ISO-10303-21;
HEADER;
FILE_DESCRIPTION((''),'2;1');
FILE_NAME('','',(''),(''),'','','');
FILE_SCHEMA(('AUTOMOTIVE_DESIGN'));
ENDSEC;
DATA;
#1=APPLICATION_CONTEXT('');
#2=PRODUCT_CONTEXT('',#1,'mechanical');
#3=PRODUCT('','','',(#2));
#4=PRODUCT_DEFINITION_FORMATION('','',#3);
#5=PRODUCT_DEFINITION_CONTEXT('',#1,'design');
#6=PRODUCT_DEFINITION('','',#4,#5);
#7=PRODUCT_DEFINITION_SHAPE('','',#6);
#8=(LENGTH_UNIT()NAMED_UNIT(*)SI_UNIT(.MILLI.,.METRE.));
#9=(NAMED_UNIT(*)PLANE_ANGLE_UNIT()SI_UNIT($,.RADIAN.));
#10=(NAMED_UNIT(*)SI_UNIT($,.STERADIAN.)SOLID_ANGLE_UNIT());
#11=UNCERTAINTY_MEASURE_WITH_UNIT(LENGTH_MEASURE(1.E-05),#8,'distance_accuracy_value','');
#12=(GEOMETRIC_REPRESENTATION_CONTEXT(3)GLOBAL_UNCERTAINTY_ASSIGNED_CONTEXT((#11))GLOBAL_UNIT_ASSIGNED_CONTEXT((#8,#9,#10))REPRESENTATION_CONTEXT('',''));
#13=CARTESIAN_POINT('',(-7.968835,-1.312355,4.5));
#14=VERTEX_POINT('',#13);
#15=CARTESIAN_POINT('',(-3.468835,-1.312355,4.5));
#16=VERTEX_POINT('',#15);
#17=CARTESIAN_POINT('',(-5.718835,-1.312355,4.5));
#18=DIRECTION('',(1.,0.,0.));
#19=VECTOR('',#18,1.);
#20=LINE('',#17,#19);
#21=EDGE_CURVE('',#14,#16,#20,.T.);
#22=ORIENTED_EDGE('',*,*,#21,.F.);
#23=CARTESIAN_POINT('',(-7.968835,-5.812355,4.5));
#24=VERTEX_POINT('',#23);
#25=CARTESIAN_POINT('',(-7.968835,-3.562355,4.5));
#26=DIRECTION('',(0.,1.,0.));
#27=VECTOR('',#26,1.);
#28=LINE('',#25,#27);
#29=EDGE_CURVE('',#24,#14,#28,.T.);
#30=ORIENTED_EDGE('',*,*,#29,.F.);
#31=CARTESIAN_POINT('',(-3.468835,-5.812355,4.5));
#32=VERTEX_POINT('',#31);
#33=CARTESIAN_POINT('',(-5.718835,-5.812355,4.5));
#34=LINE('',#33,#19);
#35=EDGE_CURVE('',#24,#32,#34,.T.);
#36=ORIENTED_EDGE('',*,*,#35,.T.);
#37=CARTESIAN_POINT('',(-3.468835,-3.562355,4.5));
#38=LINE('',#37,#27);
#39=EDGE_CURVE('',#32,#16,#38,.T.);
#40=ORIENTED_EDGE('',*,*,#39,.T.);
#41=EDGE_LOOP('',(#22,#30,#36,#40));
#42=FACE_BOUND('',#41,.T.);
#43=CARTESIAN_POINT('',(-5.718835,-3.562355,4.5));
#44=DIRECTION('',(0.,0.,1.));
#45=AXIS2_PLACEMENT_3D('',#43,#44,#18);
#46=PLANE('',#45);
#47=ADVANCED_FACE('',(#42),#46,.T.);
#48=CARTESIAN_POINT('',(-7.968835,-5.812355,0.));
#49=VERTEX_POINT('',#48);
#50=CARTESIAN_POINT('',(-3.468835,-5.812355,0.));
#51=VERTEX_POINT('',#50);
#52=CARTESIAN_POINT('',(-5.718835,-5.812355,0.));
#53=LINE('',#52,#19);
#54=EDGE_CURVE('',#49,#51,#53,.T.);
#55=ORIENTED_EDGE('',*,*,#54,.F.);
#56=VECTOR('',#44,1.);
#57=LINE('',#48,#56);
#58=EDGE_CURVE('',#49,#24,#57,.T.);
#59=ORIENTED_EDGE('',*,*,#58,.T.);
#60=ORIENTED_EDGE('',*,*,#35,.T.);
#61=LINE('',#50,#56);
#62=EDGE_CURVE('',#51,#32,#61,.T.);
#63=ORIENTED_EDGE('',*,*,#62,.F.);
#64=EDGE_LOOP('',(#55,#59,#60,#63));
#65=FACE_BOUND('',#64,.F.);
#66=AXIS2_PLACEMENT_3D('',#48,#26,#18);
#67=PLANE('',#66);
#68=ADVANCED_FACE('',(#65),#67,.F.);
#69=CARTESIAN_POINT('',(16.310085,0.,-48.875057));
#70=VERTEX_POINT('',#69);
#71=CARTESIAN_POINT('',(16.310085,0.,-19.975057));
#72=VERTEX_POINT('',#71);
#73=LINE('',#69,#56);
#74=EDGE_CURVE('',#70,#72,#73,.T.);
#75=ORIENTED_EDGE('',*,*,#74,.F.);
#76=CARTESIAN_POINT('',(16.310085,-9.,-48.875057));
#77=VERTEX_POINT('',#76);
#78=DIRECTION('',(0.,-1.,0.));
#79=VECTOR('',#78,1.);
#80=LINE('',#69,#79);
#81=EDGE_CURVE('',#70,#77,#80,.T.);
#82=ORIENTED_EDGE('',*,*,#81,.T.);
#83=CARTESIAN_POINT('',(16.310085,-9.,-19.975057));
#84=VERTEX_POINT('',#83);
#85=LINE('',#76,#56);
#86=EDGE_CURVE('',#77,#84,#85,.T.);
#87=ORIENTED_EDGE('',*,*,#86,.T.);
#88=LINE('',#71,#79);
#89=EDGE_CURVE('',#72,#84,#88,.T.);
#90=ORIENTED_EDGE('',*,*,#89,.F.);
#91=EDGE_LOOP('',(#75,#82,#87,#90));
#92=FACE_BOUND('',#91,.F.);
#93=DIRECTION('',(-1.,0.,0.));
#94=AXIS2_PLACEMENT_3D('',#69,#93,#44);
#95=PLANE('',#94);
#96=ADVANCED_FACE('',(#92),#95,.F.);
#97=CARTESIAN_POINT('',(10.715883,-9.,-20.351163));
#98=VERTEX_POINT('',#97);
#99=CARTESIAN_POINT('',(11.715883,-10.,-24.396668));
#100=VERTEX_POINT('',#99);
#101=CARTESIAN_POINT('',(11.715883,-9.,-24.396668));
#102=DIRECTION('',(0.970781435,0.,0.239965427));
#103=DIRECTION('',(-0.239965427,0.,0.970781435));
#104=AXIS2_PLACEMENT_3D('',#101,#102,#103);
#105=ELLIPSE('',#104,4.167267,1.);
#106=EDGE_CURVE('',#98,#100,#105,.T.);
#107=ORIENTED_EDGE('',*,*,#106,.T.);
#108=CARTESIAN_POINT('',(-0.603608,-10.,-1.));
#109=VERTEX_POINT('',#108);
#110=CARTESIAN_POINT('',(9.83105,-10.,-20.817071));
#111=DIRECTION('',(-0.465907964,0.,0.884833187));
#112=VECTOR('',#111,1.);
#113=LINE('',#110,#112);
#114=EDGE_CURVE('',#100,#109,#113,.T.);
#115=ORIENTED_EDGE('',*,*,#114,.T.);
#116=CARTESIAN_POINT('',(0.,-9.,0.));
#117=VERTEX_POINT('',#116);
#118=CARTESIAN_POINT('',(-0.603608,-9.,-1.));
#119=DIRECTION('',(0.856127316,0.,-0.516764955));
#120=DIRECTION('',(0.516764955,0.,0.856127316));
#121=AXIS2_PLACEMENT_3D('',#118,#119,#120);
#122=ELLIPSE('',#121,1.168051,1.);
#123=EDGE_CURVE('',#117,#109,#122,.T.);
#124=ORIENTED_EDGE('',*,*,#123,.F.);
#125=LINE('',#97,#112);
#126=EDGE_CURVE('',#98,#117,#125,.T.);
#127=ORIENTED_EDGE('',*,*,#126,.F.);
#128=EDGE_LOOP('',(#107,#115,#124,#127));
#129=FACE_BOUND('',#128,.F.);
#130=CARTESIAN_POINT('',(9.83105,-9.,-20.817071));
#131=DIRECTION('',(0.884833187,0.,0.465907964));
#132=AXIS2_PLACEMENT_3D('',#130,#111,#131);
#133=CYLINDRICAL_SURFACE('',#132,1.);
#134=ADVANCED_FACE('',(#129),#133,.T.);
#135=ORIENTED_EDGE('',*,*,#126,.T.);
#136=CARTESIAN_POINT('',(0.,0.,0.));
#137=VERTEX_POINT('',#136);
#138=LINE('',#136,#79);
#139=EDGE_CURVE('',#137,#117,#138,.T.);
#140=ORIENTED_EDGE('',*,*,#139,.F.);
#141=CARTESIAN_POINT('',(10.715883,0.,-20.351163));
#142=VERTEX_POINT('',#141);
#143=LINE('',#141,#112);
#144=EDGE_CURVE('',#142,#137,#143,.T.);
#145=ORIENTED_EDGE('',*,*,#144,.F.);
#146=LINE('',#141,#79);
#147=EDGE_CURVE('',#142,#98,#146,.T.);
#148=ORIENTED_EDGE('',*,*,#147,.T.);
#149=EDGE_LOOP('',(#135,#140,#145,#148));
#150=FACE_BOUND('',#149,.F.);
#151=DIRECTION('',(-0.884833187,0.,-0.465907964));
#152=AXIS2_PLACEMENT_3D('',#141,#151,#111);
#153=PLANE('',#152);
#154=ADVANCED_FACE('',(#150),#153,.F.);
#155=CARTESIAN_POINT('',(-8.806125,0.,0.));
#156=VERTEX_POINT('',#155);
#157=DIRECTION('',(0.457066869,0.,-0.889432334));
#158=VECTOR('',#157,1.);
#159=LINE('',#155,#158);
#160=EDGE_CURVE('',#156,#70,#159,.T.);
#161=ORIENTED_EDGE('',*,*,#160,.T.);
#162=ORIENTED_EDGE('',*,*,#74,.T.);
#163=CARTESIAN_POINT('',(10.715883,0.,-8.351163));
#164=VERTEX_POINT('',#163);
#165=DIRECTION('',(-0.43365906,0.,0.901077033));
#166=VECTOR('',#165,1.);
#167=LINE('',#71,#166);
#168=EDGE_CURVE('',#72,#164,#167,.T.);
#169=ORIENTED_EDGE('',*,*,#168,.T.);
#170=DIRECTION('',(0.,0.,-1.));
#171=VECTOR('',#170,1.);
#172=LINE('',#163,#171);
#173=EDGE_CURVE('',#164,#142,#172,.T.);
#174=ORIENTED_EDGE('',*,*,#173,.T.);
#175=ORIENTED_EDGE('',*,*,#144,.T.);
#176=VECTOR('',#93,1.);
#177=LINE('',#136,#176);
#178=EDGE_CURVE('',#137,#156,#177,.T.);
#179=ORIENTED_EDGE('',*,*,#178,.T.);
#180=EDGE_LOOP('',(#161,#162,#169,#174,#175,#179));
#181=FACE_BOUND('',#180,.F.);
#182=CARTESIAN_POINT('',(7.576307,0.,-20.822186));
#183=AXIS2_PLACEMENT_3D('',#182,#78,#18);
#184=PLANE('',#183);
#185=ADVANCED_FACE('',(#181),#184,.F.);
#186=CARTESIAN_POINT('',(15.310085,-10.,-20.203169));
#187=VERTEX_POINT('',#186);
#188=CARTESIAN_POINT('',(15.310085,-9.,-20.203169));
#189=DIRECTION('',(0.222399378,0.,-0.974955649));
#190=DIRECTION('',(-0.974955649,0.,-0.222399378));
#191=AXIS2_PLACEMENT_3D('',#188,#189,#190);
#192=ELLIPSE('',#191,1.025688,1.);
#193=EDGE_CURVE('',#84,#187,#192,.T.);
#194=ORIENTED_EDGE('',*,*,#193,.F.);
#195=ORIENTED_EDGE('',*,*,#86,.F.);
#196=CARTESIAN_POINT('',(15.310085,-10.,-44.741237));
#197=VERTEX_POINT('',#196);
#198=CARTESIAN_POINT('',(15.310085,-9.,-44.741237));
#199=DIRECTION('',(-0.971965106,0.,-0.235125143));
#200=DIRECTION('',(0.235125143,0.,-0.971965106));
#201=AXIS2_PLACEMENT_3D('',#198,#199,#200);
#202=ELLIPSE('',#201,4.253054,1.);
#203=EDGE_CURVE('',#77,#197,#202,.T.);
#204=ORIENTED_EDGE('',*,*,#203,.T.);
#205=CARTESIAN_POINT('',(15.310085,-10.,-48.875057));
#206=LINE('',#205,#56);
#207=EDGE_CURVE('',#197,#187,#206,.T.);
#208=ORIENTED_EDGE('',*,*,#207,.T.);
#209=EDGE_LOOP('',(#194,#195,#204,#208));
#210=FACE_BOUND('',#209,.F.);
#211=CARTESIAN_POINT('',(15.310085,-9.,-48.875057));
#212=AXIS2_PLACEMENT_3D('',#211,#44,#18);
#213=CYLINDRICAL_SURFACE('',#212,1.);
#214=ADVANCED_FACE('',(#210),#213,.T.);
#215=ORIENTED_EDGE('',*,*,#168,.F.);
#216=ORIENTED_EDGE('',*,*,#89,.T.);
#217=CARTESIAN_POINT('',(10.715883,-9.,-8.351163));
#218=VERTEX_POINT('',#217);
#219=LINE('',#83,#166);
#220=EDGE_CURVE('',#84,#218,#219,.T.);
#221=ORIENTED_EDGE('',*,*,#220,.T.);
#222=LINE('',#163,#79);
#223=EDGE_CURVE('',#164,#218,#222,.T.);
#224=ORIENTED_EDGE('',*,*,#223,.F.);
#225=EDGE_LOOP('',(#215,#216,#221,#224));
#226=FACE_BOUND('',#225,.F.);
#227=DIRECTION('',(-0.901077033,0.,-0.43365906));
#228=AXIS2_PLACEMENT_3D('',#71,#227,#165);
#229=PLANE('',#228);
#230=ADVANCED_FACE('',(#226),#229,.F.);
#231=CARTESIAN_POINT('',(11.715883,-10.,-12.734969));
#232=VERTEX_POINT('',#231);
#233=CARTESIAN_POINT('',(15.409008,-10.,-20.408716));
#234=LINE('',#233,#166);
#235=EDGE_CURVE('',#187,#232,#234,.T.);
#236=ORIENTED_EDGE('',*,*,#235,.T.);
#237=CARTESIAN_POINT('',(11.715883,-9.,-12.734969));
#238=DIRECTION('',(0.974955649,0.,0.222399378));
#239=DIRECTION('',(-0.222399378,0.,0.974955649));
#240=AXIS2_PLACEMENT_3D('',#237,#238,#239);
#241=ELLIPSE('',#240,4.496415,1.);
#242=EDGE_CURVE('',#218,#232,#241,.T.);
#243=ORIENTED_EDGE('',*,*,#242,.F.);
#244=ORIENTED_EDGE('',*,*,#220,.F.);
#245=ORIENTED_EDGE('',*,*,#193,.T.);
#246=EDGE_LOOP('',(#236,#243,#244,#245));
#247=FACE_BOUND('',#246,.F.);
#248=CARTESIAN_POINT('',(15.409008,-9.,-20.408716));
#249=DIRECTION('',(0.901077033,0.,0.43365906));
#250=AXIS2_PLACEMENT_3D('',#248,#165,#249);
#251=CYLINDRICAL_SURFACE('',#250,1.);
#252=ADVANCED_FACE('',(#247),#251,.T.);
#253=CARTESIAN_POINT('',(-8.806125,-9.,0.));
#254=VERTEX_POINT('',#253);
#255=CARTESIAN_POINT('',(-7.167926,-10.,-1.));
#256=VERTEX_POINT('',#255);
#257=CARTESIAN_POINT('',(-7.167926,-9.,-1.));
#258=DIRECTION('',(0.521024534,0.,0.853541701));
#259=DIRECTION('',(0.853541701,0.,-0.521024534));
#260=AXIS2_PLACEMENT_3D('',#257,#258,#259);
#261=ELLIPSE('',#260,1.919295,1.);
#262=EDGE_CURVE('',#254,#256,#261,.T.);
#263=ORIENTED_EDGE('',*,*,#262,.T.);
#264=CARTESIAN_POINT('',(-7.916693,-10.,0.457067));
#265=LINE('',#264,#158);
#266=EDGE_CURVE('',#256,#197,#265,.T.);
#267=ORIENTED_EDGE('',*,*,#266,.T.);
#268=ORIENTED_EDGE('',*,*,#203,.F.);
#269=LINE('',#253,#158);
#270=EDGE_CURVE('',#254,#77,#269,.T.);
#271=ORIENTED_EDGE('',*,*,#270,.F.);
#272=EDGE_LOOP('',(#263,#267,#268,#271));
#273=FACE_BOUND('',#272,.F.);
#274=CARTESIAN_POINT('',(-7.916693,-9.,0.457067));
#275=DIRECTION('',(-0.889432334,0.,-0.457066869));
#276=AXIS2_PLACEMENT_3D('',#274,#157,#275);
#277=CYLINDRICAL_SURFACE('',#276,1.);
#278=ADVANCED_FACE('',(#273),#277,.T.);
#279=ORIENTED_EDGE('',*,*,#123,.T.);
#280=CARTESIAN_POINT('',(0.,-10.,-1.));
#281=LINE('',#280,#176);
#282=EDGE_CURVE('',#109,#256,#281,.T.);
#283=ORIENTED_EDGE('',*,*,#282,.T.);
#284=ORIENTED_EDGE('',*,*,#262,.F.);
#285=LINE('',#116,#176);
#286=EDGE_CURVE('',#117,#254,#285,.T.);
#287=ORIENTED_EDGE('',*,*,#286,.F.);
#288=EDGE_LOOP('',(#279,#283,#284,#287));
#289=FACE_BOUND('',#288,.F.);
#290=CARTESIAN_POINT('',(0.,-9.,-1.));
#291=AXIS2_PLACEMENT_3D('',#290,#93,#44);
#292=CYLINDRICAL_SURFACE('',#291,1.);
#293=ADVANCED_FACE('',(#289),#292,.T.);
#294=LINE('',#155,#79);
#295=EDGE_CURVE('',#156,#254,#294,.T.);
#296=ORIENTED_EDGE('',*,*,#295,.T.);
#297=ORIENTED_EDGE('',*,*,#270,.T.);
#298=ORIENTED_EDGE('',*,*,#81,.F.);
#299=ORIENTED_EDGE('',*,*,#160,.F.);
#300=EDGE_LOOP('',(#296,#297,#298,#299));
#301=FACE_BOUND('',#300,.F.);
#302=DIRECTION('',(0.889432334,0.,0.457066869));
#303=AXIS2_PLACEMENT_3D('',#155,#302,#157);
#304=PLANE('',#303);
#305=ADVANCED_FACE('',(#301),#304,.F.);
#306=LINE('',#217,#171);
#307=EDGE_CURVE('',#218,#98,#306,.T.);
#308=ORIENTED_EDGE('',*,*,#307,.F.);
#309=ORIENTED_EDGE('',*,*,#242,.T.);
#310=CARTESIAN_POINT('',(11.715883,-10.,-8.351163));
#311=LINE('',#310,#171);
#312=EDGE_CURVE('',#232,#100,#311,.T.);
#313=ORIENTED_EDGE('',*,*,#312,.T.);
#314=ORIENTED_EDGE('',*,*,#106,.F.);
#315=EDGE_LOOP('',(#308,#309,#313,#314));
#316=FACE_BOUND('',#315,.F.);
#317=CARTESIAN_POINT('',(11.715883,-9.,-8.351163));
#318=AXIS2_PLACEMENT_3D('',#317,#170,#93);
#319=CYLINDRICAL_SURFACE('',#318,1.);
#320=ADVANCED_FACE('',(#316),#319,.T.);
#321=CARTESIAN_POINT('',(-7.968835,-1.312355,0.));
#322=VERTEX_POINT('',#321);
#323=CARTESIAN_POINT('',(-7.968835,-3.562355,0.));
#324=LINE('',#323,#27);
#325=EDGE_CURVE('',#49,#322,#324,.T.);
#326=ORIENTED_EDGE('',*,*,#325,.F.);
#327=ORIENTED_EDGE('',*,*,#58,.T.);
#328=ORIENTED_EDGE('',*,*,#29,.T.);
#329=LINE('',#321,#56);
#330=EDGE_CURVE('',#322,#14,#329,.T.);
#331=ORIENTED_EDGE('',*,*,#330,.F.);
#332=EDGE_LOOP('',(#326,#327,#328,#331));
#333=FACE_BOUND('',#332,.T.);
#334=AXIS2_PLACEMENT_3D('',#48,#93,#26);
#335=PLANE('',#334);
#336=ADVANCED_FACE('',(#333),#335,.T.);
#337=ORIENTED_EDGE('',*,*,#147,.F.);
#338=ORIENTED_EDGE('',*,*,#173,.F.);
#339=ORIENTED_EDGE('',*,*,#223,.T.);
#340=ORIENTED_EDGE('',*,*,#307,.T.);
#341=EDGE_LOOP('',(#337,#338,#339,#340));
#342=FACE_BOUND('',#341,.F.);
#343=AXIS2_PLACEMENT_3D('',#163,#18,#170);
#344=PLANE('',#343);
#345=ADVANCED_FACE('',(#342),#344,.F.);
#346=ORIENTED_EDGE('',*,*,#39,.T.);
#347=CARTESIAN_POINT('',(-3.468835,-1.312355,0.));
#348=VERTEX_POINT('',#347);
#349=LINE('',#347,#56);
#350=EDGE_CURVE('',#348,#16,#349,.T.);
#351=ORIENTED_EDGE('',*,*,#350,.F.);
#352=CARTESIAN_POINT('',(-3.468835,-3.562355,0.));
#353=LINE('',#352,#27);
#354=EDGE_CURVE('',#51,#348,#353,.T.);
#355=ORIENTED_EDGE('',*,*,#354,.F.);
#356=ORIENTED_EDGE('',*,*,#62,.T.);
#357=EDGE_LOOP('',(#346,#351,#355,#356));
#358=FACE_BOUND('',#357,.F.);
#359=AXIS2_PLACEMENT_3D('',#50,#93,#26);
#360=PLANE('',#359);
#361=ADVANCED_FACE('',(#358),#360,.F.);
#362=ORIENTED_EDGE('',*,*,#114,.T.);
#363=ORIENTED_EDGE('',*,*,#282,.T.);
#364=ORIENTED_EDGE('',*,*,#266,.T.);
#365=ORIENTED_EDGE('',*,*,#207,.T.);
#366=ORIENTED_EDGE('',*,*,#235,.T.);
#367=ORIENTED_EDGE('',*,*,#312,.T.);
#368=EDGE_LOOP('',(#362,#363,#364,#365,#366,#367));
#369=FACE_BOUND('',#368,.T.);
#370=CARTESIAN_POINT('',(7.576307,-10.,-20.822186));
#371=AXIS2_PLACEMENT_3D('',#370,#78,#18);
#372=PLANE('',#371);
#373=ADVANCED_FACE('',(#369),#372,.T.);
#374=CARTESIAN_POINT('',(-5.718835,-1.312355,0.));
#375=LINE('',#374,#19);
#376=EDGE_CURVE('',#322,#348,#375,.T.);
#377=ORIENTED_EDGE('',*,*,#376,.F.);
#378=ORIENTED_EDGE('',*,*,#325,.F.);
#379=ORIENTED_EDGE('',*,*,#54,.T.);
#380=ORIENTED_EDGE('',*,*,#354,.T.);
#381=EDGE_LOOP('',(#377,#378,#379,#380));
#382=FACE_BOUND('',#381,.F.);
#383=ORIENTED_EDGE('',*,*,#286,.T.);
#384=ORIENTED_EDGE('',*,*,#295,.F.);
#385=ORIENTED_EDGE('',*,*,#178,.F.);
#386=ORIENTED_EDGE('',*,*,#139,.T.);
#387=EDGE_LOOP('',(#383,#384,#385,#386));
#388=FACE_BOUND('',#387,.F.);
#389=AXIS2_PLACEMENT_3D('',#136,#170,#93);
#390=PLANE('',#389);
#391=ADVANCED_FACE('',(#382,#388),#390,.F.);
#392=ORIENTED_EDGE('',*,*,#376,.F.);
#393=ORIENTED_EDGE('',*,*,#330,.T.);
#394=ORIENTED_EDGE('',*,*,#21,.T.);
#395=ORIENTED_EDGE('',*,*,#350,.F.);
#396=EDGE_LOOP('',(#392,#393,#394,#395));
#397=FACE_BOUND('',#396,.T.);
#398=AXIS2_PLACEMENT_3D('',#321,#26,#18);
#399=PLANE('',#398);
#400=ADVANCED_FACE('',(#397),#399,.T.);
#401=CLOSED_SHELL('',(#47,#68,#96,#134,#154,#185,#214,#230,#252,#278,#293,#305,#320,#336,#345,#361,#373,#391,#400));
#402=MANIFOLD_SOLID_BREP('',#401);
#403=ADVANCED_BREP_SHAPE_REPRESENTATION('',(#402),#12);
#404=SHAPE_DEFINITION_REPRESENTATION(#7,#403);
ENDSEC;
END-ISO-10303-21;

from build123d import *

# Parameters (mm, degrees)
F1_DEPTH = 10
F2_R     = 1
F3_W     = 4.5
F3_H     = 4.5
F4_DEPTH = 4.5


with BuildPart() as f1:
    # F0 (on Front) → F1 (new body)
    with BuildSketch(Plane.XZ):
        Polygon((10.715883, -20.351163), (0, 0), (-8.806125, 0), (16.310085, -48.875057), (16.310085, -19.975057), (10.715883, -8.351163), align=None)
    extrude(amount=F1_DEPTH)

    # F2
    f2_edges = [f1.edges().sort_by_distance(p)[0] for p in [
        (13.512984, -10, -14.16311),
        (3.75198, -10, -24.437528),
        (5.357942, -10, -10.175582),
        (10.715883, -10, -14.351163),
        (16.310085, -10, -34.425057),
        (-4.403063, -10, 0),
    ]]
    fillet(f2_edges, radius=F2_R)

    # F3 (on face) → F4 (join)
    with BuildSketch(Plane.XY):
        with Locations((-5.718835, -3.562355)):
            Rectangle(F3_W, F3_H)
    extrude(amount=F4_DEPTH)


solid = f1.part
